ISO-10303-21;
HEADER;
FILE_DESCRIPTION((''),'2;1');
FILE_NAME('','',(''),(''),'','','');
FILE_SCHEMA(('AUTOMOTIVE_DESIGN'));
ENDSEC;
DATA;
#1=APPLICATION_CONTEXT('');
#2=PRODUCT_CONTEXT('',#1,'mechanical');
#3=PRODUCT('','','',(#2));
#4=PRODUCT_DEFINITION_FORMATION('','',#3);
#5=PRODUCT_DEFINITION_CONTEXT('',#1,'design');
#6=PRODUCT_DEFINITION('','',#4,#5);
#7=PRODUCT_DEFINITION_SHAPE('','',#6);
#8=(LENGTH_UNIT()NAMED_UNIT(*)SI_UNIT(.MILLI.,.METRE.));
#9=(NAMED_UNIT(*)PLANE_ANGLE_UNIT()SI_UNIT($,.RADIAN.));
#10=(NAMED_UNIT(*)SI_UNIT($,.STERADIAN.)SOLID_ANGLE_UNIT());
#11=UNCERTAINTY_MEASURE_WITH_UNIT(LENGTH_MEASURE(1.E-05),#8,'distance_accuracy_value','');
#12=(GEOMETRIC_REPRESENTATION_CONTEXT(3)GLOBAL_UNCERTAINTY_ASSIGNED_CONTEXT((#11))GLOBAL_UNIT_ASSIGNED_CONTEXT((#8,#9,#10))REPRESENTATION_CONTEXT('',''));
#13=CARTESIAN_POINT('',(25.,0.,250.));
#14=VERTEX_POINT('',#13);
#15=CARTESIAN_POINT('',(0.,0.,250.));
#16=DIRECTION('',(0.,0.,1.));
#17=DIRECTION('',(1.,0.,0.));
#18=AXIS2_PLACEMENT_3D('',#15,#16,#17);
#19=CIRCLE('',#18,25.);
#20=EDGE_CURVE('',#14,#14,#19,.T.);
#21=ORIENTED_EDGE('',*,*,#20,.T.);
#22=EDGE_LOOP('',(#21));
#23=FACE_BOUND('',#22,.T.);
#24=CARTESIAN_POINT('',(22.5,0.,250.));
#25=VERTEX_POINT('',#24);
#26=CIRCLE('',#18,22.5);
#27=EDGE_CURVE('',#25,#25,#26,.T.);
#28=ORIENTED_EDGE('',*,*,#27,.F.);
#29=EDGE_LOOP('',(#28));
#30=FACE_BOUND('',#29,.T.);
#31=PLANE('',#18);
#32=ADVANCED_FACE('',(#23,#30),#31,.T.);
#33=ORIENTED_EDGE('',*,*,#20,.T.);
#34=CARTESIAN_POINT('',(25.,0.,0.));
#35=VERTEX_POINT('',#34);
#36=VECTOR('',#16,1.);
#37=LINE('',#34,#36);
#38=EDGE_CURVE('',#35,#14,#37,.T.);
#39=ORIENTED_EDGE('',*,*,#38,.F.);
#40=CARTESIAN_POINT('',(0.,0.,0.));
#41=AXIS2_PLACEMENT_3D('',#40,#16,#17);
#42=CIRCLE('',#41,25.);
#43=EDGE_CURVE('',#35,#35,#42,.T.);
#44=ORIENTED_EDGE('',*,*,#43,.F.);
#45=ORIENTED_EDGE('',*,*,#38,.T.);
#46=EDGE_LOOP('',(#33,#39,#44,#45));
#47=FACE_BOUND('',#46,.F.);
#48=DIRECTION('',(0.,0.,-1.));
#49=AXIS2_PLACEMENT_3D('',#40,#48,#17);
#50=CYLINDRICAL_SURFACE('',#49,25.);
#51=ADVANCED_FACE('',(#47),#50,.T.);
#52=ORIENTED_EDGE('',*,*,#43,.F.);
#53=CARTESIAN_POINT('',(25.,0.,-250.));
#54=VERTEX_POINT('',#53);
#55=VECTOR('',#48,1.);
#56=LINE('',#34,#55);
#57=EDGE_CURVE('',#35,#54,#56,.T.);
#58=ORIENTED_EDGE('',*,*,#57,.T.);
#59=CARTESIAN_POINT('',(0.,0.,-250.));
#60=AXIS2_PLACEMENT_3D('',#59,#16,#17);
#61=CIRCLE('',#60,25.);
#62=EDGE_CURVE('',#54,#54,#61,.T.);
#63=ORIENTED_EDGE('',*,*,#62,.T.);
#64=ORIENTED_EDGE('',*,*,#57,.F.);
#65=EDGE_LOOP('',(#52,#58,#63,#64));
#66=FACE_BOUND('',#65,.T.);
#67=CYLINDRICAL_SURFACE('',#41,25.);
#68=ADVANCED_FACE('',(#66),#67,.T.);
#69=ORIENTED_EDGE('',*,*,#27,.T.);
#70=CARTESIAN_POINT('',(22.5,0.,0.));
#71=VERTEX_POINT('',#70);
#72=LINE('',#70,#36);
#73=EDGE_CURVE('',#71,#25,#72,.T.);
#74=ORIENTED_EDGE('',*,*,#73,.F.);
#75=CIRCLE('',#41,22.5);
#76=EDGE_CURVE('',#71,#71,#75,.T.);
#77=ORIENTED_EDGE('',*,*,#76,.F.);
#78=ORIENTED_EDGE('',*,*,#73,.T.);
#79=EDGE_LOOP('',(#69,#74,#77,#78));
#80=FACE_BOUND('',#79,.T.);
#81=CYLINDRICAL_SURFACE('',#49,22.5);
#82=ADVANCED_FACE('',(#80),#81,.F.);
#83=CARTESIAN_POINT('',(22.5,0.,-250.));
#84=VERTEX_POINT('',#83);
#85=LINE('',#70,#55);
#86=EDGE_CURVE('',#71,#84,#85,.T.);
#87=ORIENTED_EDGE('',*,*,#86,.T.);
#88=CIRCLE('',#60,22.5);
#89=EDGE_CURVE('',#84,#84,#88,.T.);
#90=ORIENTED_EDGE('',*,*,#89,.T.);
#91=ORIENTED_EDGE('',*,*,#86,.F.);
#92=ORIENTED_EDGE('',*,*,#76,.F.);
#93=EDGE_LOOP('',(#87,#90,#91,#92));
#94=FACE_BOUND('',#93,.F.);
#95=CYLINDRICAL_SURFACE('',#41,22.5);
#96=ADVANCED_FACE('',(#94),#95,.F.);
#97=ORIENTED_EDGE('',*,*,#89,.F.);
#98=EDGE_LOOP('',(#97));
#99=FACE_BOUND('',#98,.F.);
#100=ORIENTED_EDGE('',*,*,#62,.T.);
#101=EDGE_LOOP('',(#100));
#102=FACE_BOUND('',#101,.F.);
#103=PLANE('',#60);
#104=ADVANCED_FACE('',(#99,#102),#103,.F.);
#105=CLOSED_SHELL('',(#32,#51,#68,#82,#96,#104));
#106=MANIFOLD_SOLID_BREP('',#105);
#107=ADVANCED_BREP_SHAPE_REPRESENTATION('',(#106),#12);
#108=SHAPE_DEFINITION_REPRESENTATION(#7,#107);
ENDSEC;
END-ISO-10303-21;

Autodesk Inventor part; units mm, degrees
ref_plane "YZ Plane" through (0, 0, 0) normal (1, 0, 0) x (0, 1, 0)
ref_plane "XZ Plane" through (0, 0, 0) normal (0, 1, 0) x (-1, 0, 0)
ref_plane "XY Plane" through (0, 0, 0) normal (0, 0, 1) x (1, 0, 0)
sketch "Sketch1" plane through (0, 0, 0) normal (0, 0, 1) x (1, 0, 0)
  circle A0 centre (0, 0) radius 25
  circle A1 centre (0, 0) radius 22.5
  dimension "d0" = 50
  dimension "d1" = 2.5
extrude "Extrusion1" add sketch "Sketch1" along normal mid plane 500
properties part number "50mm Tubing" material "Aluminum 6061-AHC"
